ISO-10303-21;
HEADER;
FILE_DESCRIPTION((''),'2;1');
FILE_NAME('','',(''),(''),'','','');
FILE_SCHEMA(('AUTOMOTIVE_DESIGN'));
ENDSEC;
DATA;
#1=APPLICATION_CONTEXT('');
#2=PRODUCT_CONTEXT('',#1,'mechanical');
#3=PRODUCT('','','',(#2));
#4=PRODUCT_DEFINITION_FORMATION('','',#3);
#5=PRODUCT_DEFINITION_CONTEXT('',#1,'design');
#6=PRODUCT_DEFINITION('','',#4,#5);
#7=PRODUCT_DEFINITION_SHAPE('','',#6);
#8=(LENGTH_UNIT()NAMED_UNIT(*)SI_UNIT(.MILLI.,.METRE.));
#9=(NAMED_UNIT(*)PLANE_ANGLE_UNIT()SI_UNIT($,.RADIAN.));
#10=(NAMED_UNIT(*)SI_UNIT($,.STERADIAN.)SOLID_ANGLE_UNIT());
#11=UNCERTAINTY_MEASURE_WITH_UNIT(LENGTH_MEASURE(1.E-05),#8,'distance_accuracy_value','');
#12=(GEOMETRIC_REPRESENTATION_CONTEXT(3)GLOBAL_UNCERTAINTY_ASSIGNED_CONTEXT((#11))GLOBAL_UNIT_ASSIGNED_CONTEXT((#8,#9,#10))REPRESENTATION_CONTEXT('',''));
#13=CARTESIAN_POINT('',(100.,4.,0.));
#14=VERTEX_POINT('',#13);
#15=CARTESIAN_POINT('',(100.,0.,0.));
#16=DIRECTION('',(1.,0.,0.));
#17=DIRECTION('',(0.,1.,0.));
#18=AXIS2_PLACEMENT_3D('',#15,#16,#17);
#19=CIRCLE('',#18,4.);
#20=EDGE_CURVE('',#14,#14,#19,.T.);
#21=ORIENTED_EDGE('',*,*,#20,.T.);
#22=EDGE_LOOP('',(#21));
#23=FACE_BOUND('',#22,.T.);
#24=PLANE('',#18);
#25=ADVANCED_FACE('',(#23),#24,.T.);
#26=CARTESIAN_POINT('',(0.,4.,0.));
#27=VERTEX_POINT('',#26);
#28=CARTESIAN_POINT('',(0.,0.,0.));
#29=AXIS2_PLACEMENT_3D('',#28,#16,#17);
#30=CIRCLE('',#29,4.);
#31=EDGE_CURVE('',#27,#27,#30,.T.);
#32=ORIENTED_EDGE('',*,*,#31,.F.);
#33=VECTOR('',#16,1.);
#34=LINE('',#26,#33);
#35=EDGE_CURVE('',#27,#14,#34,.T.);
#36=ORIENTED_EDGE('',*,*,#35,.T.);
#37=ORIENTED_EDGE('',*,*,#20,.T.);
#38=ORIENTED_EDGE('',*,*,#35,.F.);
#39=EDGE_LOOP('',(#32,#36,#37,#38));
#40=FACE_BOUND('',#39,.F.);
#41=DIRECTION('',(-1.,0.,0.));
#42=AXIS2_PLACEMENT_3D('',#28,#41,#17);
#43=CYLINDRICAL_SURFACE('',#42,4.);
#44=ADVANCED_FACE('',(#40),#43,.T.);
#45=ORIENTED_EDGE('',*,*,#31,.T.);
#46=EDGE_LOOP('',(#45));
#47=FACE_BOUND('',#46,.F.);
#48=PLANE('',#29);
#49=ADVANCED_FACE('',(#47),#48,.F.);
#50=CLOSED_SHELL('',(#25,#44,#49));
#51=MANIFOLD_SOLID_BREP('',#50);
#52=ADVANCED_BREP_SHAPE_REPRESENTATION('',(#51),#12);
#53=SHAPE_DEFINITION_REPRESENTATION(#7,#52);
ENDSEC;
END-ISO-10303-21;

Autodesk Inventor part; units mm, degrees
ref_plane "YZ Plane" through (0, 0, 0) normal (1, 0, 0) x (0, 1, 0)
ref_plane "XZ Plane" through (0, 0, 0) normal (0, 1, 0) x (-1, 0, 0)
ref_plane "XY Plane" through (0, 0, 0) normal (0, 0, 1) x (1, 0, 0)
sketch "Sketch1" plane through (0, 0, 0) normal (1, 0, 0) x (0, 1, 0)
  circle A0 centre (0, 0) radius 4
  dimension "d0" = 8
extrude "Extrusion1" add sketch "Sketch1" along normal blind 100
properties part number "free gear shaft"
